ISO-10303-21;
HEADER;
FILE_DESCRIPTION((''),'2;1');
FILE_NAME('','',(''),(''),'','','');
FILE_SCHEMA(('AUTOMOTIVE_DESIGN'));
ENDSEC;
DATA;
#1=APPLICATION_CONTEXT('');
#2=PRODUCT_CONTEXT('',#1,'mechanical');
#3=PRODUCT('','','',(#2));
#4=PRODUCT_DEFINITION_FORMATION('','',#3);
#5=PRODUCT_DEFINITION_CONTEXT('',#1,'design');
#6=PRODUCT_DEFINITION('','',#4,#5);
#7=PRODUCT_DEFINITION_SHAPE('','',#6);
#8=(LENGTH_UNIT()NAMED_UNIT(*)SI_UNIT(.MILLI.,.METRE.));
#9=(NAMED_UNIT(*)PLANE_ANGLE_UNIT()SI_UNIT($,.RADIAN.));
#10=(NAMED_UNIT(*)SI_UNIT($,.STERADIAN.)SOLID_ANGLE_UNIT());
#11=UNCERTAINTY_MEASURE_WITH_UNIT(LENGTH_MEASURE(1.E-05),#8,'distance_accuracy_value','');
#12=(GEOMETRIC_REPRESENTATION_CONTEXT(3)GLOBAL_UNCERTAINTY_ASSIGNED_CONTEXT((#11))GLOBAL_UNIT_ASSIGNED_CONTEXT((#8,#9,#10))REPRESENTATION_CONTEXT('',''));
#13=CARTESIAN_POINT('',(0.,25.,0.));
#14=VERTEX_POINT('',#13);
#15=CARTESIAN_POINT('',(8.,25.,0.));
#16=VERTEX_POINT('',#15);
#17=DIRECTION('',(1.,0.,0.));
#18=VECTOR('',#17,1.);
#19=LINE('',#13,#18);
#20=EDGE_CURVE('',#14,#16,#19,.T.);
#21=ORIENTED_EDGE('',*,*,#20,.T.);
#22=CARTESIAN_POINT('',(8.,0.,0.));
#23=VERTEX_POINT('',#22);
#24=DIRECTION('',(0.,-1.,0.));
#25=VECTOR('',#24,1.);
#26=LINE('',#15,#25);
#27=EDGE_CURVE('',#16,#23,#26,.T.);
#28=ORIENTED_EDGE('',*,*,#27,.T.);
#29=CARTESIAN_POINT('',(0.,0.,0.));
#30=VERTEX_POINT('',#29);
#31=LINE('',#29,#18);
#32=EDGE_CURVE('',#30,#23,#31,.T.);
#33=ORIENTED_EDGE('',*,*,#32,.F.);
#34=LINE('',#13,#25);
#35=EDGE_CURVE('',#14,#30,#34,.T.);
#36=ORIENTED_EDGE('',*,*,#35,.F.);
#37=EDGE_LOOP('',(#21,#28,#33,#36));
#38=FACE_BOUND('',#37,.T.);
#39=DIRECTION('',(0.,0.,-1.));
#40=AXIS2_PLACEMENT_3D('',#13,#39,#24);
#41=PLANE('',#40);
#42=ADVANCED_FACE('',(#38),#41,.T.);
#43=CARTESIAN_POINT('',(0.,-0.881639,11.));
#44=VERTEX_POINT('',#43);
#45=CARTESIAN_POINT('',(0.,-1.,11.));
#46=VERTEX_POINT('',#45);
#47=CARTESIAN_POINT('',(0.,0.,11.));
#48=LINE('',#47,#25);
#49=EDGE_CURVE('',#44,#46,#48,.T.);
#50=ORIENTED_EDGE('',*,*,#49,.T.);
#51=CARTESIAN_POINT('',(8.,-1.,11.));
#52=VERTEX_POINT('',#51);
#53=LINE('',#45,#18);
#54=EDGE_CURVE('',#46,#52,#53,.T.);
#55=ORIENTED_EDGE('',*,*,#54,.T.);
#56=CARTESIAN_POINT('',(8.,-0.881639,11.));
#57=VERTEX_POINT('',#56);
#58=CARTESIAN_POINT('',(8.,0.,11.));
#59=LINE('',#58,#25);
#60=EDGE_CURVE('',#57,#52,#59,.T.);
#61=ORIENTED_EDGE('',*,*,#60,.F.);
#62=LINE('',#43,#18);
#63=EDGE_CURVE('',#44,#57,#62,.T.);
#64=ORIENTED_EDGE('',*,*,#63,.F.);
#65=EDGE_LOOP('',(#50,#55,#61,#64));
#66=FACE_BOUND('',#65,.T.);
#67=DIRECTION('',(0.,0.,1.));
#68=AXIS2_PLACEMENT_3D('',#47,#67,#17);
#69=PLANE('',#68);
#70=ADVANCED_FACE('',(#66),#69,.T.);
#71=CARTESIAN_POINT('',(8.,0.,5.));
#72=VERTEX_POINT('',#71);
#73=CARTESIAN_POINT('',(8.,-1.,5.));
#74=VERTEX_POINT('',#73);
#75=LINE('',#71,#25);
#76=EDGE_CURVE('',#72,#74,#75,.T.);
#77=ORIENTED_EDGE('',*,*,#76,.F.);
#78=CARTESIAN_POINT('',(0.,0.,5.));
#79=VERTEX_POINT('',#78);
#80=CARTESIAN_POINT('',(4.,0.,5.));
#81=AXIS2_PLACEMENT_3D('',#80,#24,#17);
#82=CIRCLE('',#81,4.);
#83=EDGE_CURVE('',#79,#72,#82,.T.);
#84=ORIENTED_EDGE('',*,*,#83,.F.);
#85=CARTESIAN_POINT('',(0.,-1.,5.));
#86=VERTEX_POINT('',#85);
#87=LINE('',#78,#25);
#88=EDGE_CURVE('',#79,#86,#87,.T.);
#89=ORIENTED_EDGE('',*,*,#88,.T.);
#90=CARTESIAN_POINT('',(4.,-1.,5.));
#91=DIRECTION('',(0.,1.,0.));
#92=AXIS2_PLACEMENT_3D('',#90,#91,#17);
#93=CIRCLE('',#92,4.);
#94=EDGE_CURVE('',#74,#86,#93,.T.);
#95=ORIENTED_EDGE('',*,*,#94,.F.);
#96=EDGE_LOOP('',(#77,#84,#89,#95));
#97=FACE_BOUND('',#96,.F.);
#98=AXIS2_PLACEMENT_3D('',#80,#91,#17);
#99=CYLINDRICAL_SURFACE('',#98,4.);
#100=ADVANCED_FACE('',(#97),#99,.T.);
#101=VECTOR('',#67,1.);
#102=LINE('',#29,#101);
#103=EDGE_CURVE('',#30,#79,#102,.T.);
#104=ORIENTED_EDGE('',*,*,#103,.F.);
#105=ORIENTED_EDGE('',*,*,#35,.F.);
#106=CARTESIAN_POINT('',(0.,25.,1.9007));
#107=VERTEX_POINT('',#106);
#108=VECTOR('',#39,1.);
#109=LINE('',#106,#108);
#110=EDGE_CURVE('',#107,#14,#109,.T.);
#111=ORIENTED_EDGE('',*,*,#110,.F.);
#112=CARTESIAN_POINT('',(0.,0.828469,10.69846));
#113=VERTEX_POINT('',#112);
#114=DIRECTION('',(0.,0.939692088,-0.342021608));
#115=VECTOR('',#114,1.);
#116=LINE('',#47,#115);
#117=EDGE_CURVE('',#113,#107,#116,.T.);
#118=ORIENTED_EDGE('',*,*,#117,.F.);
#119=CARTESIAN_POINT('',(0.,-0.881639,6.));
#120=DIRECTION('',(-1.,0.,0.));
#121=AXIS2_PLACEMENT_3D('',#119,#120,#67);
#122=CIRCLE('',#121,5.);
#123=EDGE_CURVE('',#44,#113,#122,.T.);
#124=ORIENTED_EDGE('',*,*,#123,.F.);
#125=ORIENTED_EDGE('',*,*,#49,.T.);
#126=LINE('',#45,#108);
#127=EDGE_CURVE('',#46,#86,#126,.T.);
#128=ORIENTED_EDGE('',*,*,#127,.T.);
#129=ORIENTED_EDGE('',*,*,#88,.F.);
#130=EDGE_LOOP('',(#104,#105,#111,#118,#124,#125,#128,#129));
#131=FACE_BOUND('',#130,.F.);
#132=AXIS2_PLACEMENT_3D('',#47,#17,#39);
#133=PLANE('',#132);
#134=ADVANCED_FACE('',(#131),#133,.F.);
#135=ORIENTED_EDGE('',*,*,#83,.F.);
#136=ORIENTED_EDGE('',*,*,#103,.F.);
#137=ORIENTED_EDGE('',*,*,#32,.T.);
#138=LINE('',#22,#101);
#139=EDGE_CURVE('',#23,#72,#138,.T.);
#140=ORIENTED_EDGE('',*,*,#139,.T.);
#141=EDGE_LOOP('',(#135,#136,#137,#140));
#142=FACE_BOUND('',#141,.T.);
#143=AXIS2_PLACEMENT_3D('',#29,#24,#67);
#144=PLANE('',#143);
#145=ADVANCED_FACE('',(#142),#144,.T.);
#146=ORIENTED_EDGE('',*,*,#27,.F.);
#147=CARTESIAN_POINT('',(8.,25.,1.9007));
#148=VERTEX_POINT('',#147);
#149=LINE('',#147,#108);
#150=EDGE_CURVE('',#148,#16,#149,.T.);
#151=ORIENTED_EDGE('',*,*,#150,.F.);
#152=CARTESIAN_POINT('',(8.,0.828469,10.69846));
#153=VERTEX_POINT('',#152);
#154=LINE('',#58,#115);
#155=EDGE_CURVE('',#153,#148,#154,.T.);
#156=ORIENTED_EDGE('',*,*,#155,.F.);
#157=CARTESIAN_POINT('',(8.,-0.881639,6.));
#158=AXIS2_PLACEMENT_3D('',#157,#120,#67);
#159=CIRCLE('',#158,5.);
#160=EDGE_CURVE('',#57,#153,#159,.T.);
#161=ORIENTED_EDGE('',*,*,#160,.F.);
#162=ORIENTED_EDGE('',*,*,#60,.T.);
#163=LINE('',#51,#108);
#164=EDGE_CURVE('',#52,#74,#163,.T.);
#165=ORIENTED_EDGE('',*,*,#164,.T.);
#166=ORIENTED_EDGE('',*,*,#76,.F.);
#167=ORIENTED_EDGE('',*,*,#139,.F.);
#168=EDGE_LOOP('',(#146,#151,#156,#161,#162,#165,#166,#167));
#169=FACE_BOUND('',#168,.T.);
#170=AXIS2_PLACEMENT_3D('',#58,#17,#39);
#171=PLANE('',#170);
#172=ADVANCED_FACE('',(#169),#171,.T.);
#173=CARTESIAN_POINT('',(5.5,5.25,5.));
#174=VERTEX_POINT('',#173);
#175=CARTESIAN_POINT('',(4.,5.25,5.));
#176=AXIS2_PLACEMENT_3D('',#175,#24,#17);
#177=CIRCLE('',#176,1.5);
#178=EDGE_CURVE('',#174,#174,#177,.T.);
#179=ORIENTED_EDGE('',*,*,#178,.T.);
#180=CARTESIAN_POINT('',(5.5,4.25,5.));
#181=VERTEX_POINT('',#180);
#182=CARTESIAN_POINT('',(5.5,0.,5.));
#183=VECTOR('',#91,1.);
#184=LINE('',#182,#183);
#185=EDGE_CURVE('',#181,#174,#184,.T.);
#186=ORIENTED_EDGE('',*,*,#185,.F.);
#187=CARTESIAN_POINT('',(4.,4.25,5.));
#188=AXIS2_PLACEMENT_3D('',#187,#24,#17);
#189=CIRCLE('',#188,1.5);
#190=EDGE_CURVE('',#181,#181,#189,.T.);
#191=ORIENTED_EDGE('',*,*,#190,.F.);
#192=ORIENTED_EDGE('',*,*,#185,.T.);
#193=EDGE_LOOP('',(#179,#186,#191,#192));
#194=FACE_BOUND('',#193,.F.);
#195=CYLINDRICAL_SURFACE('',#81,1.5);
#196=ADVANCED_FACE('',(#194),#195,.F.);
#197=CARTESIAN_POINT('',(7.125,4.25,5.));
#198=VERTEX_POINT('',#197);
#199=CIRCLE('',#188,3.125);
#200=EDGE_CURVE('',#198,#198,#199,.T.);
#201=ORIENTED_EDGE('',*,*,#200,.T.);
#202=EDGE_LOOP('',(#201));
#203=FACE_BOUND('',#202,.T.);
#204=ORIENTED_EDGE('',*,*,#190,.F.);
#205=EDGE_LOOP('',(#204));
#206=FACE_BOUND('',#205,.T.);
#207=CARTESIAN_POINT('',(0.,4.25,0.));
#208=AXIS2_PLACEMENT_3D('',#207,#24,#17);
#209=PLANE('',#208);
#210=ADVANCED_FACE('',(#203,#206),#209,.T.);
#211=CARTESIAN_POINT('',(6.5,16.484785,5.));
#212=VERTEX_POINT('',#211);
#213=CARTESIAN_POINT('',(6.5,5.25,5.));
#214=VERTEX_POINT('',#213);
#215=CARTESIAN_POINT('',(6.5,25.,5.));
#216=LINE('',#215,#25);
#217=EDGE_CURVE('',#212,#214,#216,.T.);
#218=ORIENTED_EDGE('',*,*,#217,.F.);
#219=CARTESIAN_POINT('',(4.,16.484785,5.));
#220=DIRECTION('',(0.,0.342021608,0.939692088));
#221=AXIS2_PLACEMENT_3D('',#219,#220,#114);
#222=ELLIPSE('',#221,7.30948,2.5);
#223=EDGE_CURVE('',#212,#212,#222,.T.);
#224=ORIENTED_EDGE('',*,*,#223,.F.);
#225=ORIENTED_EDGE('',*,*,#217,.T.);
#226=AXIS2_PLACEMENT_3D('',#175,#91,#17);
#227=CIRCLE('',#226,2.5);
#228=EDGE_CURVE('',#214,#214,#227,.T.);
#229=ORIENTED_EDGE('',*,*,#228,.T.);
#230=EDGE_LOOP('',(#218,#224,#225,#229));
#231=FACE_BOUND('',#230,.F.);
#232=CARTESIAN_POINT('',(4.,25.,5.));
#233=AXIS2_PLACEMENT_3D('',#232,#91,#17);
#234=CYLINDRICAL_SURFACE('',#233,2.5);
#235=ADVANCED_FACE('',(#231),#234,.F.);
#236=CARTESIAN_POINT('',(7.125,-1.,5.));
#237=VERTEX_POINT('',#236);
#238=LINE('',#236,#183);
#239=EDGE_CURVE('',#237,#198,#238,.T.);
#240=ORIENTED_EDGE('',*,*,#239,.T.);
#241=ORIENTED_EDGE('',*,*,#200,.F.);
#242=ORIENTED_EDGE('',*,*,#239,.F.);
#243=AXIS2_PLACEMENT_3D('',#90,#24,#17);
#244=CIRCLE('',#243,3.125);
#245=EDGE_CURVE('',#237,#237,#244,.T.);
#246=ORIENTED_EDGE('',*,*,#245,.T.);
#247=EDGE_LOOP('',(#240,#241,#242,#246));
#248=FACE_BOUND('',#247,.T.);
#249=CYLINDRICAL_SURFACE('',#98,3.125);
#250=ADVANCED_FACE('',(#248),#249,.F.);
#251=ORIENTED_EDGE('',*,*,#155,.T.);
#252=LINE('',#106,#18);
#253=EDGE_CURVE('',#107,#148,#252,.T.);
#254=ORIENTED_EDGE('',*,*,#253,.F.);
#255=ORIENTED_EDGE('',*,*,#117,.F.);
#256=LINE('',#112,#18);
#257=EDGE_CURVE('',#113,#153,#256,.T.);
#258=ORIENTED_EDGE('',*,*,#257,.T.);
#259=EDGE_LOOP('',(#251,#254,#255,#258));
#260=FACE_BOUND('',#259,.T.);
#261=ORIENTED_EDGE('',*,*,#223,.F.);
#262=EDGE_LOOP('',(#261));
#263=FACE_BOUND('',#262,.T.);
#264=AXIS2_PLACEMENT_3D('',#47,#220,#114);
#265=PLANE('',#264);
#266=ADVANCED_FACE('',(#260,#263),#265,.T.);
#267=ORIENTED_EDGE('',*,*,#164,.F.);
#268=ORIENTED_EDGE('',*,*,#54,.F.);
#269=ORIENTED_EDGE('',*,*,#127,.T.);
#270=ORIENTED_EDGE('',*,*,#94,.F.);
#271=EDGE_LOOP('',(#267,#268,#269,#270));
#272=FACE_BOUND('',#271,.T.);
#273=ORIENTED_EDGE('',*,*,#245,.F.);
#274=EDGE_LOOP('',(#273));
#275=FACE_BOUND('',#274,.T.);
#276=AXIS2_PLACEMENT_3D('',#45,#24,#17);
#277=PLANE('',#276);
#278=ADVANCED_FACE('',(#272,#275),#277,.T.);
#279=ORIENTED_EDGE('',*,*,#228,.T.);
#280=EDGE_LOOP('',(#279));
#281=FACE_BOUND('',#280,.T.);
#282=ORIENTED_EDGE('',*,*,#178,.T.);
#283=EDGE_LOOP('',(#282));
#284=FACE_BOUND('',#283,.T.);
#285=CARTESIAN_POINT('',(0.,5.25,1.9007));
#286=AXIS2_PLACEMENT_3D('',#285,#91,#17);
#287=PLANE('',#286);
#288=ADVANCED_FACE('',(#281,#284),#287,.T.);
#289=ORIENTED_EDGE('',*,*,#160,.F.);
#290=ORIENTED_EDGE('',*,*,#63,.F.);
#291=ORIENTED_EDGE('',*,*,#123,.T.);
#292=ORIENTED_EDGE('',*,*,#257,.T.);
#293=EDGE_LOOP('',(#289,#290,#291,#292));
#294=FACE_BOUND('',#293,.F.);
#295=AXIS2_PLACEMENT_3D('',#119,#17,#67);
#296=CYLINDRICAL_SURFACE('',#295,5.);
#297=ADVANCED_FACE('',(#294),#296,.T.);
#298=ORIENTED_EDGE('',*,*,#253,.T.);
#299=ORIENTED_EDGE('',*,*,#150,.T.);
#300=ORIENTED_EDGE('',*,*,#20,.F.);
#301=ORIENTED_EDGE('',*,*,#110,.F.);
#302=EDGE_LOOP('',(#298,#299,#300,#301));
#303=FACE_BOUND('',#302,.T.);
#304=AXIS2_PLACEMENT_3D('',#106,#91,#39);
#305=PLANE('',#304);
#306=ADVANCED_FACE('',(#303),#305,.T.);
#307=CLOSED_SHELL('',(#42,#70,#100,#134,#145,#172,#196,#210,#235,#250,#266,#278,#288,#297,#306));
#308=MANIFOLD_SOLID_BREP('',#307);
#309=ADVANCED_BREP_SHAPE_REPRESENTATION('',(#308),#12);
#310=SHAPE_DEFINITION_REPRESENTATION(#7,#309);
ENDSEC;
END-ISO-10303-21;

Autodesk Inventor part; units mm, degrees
ref_plane "YZ Plane" through (0, 0, 0) normal (1, 0, 0) x (0, 1, 0)
ref_plane "XZ Plane" through (0, 0, 0) normal (0, 1, 0) x (-1, 0, 0)
ref_plane "XY Plane" through (0, 0, 0) normal (0, 0, 1) x (1, 0, 0)
sketch "Sketch1" plane through (0, 0, 0) normal (1, 0, 0) x (0, 1, 0)
  line L0 (0, 0) -> (0, 11)
  line L1 (0, 11) -> (0, 11)
  line L2 (0, 11) -> (25, 1.9007)
  line L3 (25, 1.9007) -> (25, 0)
  line L4 (25, 0) -> (0, 0)
  dimension "d0" = 11
  dimension "d1" = 160
  dimension "d2" = 25
  dimension "d4" = 0
extrude "Extrusion1" add sketch "Sketch1" along normal blind 8
sketch "Sketch2" plane through (0, 0, 0) normal (0, -1, 0) x (1, 0, 0)
  circle A0 centre (4, 5) radius 4
  line L0 (0, 11) -> (0, 0) projected
  line L1 (8, 11) -> (8, 0) projected
  line L2 (0, 0) -> (8, 0) projected
  circle A1 centre (4, 5) radius 3.125
  circle A2 centre (4, 5) radius 1.5
  line L3 (0, 11) -> (8, 11) projected
  dimension "d7" = 6.25
  dimension "d8" = 3
  dimension "d21" = 6
extrude "Extrusion2" cut sketch "Sketch2" against normal through all contours A2
extrude "Extrusion3" cut sketch "Sketch2" against normal blind 4.25 contours A1
extrude "Extrusion4" add sketch "Sketch2" along normal blind 1 contours A0
sketch "Sketch3" plane through (0, 25, 1.9007) normal (0, 1, 0) x (1, 0, 0)
  circle A0 centre (4, -3.0993) radius 2.5
  circle A1 centre (4, -3.0993) radius 1.5 projected
  point P0 (0, 1.9007)
  dimension "d15" = 5
extrude "Extrusion5" cut sketch "Sketch3" against normal blind 19.75 contours A0 | A1
sketch "Sketch5" plane through (0, 0, 11) normal (0, -1, 0) x (1, 0, 0)
  arc A0 (8, -6) -> (0, -6) centre (4, -6) ccw projected
  line L0 (8, 0) -> (8, -6) projected
  line L1 (0, 0) -> (8, 0) projected
  line L2 (0, 0) -> (0, -6) projected
  point P0 (0, -11)
extrude "Extrusion7" add sketch "Sketch5" along normal up to surface (1 mm away)
fillet "Fillet2" radius 5 1 edges at (4, 0, 11)
properties part number "rpi_stand"
